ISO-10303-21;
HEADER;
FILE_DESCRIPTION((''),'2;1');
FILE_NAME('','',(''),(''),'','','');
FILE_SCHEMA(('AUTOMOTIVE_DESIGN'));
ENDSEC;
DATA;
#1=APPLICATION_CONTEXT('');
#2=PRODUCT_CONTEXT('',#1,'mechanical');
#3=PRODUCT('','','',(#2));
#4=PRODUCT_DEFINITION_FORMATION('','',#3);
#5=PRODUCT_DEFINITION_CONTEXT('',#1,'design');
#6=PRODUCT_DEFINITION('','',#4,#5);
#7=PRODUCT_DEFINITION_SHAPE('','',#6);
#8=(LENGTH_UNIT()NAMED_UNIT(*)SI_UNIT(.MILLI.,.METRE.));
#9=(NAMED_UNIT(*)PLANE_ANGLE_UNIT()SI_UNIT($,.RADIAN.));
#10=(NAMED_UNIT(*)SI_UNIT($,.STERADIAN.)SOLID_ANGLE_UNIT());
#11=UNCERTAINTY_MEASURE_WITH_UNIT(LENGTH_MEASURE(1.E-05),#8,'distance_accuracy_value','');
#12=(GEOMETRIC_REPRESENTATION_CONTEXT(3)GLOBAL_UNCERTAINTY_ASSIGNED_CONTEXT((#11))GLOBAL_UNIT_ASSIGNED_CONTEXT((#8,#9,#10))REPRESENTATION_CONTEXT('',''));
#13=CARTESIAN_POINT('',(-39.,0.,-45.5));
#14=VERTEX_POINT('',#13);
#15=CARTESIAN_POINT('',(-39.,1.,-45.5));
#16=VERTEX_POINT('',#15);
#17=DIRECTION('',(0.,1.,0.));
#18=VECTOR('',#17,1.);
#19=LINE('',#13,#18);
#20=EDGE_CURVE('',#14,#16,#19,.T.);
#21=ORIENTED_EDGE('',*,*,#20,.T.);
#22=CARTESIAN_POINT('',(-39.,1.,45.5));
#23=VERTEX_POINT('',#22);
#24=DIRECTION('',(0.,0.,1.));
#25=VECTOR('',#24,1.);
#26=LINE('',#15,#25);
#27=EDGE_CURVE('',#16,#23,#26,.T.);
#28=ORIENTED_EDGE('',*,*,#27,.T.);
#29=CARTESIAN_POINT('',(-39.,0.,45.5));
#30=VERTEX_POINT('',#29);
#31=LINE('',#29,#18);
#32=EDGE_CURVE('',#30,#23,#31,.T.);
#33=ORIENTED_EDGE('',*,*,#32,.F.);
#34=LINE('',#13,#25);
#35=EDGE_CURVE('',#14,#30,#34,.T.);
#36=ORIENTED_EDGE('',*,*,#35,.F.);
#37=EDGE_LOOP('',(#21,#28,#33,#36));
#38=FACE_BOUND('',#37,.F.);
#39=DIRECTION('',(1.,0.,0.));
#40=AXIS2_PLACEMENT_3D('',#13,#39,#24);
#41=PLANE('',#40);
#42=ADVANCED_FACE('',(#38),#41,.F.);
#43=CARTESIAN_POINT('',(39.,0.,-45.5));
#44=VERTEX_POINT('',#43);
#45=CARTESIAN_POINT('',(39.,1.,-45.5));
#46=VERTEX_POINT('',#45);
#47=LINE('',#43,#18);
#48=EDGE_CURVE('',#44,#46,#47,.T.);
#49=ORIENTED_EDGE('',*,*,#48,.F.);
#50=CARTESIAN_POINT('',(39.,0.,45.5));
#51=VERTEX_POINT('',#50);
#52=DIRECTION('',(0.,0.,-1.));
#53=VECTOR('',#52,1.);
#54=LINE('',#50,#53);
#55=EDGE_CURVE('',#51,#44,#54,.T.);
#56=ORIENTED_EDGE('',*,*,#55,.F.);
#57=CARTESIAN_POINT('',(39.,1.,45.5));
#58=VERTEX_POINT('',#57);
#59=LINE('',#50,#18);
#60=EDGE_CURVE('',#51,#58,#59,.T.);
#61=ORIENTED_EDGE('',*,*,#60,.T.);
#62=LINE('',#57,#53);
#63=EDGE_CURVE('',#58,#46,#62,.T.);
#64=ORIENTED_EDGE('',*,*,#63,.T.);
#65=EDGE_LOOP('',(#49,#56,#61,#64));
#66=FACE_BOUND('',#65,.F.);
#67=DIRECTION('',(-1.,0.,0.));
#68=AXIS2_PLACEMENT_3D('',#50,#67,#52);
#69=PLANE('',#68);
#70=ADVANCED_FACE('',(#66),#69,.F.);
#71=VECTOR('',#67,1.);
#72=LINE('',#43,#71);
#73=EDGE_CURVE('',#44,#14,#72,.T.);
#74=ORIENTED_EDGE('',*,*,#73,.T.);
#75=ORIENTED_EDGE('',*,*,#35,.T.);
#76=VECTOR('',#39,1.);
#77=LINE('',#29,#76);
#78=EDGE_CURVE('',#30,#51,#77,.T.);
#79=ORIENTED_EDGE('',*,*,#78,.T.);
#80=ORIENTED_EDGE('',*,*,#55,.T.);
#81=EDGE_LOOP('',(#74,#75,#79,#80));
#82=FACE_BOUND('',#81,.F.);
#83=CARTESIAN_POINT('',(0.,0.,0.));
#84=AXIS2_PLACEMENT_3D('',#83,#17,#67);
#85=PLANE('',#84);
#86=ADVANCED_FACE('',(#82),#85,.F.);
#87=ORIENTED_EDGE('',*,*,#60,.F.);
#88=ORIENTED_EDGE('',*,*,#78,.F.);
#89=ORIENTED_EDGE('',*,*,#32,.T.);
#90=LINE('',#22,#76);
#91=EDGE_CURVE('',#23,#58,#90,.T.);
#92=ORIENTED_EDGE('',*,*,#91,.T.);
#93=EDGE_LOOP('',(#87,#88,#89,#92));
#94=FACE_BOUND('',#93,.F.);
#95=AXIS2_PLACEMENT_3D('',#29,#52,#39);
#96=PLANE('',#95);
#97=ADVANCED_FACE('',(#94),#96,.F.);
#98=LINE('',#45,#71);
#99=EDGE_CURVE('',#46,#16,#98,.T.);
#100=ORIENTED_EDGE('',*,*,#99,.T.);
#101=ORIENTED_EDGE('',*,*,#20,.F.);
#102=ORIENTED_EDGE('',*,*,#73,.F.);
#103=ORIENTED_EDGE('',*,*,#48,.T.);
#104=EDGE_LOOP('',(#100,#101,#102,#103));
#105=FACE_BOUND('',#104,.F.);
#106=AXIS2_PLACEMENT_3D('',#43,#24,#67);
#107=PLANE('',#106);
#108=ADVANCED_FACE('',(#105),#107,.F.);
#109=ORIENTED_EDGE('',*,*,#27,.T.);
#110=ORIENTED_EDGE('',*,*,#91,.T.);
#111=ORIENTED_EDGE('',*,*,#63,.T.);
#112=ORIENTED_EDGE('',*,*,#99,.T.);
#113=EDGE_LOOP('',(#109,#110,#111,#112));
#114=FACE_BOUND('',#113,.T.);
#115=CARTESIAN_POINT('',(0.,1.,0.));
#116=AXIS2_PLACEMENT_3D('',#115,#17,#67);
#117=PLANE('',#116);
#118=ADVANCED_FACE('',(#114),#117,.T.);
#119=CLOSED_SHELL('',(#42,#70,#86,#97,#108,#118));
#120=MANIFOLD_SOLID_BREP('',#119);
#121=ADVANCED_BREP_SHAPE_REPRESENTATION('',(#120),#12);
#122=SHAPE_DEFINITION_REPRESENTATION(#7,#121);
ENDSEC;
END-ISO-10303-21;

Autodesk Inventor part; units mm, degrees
ref_plane "YZ Plane" through (0, 0, 0) normal (1, 0, 0) x (0, 1, 0)
ref_plane "XZ Plane" through (0, 0, 0) normal (0, 1, 0) x (-1, 0, 0)
ref_plane "XY Plane" through (0, 0, 0) normal (0, 0, 1) x (1, 0, 0)
sketch "Boceto1" plane through (0, 0, 0) normal (0, 1, 0) x (-1, 0, 0)
  line L0 (39, 45.5) -> (-39, 45.5)
  line L1 (-39, 45.5) -> (-39, -45.5)
  line L2 (-39, -45.5) -> (39, -45.5)
  line L3 (39, -45.5) -> (39, 45.5)
  point P0 (0, 0)
  dimension "w" = 91
  dimension "d3" = 45.5
  dimension "k" = 78
  dimension "d7" = 39
extrude "Extrusión1" add sketch "Boceto1" along normal blind 1
equation "\"d3\" = 0.5 * w"
equation "\"d7\" = 0.5 * k"
properties part number "Baquelita"
